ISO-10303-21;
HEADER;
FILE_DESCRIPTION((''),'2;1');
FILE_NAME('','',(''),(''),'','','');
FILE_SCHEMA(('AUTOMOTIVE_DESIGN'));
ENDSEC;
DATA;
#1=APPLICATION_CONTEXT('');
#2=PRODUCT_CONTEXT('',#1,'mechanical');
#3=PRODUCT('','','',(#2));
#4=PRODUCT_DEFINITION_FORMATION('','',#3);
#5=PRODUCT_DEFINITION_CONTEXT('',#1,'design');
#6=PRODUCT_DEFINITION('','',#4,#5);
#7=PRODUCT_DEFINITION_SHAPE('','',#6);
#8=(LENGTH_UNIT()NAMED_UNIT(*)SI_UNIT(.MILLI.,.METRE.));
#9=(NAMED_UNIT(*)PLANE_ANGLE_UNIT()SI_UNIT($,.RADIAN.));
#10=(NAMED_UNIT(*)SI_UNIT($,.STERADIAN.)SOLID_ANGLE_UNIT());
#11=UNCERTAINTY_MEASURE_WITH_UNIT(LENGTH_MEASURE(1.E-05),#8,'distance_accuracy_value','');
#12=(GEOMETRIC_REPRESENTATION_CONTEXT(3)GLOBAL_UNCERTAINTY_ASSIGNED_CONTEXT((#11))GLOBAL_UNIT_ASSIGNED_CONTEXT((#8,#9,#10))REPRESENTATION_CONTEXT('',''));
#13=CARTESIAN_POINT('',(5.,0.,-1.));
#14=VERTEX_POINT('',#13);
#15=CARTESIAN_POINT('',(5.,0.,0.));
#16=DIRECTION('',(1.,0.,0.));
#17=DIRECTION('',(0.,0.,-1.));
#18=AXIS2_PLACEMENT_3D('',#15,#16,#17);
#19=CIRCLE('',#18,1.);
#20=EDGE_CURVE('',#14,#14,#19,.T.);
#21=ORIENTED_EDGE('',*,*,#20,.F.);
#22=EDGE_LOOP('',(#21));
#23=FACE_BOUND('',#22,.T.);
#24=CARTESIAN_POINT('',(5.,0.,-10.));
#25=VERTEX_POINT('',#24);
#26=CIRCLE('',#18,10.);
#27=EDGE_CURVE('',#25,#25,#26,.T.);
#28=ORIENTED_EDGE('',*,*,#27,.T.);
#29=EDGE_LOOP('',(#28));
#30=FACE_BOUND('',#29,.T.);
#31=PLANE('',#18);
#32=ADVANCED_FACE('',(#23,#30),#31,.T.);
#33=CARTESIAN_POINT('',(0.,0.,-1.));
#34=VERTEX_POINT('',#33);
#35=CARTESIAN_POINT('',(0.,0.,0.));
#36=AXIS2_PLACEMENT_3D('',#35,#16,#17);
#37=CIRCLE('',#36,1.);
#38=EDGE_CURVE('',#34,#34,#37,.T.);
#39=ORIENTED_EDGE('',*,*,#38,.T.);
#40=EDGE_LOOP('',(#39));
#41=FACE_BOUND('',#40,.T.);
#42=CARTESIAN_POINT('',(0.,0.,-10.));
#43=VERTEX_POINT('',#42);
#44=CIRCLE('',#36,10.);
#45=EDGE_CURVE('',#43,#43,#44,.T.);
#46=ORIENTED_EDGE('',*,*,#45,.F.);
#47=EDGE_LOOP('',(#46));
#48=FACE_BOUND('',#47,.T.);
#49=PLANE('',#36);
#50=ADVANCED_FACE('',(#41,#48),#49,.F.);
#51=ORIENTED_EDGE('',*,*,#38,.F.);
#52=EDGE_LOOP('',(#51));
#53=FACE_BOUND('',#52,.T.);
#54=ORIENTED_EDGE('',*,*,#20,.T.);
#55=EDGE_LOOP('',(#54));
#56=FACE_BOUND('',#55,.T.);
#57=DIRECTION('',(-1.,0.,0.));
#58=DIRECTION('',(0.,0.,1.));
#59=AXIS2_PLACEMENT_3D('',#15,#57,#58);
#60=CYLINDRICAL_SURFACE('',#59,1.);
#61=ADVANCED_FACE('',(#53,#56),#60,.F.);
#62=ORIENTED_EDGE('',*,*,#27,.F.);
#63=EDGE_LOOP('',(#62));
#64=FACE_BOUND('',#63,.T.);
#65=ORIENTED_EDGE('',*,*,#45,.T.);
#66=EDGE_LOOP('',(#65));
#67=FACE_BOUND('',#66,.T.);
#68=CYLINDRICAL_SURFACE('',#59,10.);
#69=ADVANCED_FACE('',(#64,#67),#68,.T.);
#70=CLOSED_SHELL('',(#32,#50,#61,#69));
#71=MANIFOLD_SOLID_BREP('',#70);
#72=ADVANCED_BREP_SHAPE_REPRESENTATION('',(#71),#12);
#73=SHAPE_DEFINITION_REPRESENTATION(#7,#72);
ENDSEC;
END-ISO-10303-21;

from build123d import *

# Parameters (mm, degrees)
SKETCH_1_R      = 10
SKETCH_1_R_2    = 1
EXTRUDE_1_DEPTH = 5


with BuildPart() as part:
    # 草图1 → 凸台-拉伸1 (new body)
    with BuildSketch(Plane(origin=(0, 0, 0), x_dir=(0, 0, -1), z_dir=(1, 0, 0))):
        Circle(SKETCH_1_R)
        Circle(SKETCH_1_R_2, mode=Mode.SUBTRACT)
    extrude(amount=EXTRUDE_1_DEPTH)


solid = part.part
